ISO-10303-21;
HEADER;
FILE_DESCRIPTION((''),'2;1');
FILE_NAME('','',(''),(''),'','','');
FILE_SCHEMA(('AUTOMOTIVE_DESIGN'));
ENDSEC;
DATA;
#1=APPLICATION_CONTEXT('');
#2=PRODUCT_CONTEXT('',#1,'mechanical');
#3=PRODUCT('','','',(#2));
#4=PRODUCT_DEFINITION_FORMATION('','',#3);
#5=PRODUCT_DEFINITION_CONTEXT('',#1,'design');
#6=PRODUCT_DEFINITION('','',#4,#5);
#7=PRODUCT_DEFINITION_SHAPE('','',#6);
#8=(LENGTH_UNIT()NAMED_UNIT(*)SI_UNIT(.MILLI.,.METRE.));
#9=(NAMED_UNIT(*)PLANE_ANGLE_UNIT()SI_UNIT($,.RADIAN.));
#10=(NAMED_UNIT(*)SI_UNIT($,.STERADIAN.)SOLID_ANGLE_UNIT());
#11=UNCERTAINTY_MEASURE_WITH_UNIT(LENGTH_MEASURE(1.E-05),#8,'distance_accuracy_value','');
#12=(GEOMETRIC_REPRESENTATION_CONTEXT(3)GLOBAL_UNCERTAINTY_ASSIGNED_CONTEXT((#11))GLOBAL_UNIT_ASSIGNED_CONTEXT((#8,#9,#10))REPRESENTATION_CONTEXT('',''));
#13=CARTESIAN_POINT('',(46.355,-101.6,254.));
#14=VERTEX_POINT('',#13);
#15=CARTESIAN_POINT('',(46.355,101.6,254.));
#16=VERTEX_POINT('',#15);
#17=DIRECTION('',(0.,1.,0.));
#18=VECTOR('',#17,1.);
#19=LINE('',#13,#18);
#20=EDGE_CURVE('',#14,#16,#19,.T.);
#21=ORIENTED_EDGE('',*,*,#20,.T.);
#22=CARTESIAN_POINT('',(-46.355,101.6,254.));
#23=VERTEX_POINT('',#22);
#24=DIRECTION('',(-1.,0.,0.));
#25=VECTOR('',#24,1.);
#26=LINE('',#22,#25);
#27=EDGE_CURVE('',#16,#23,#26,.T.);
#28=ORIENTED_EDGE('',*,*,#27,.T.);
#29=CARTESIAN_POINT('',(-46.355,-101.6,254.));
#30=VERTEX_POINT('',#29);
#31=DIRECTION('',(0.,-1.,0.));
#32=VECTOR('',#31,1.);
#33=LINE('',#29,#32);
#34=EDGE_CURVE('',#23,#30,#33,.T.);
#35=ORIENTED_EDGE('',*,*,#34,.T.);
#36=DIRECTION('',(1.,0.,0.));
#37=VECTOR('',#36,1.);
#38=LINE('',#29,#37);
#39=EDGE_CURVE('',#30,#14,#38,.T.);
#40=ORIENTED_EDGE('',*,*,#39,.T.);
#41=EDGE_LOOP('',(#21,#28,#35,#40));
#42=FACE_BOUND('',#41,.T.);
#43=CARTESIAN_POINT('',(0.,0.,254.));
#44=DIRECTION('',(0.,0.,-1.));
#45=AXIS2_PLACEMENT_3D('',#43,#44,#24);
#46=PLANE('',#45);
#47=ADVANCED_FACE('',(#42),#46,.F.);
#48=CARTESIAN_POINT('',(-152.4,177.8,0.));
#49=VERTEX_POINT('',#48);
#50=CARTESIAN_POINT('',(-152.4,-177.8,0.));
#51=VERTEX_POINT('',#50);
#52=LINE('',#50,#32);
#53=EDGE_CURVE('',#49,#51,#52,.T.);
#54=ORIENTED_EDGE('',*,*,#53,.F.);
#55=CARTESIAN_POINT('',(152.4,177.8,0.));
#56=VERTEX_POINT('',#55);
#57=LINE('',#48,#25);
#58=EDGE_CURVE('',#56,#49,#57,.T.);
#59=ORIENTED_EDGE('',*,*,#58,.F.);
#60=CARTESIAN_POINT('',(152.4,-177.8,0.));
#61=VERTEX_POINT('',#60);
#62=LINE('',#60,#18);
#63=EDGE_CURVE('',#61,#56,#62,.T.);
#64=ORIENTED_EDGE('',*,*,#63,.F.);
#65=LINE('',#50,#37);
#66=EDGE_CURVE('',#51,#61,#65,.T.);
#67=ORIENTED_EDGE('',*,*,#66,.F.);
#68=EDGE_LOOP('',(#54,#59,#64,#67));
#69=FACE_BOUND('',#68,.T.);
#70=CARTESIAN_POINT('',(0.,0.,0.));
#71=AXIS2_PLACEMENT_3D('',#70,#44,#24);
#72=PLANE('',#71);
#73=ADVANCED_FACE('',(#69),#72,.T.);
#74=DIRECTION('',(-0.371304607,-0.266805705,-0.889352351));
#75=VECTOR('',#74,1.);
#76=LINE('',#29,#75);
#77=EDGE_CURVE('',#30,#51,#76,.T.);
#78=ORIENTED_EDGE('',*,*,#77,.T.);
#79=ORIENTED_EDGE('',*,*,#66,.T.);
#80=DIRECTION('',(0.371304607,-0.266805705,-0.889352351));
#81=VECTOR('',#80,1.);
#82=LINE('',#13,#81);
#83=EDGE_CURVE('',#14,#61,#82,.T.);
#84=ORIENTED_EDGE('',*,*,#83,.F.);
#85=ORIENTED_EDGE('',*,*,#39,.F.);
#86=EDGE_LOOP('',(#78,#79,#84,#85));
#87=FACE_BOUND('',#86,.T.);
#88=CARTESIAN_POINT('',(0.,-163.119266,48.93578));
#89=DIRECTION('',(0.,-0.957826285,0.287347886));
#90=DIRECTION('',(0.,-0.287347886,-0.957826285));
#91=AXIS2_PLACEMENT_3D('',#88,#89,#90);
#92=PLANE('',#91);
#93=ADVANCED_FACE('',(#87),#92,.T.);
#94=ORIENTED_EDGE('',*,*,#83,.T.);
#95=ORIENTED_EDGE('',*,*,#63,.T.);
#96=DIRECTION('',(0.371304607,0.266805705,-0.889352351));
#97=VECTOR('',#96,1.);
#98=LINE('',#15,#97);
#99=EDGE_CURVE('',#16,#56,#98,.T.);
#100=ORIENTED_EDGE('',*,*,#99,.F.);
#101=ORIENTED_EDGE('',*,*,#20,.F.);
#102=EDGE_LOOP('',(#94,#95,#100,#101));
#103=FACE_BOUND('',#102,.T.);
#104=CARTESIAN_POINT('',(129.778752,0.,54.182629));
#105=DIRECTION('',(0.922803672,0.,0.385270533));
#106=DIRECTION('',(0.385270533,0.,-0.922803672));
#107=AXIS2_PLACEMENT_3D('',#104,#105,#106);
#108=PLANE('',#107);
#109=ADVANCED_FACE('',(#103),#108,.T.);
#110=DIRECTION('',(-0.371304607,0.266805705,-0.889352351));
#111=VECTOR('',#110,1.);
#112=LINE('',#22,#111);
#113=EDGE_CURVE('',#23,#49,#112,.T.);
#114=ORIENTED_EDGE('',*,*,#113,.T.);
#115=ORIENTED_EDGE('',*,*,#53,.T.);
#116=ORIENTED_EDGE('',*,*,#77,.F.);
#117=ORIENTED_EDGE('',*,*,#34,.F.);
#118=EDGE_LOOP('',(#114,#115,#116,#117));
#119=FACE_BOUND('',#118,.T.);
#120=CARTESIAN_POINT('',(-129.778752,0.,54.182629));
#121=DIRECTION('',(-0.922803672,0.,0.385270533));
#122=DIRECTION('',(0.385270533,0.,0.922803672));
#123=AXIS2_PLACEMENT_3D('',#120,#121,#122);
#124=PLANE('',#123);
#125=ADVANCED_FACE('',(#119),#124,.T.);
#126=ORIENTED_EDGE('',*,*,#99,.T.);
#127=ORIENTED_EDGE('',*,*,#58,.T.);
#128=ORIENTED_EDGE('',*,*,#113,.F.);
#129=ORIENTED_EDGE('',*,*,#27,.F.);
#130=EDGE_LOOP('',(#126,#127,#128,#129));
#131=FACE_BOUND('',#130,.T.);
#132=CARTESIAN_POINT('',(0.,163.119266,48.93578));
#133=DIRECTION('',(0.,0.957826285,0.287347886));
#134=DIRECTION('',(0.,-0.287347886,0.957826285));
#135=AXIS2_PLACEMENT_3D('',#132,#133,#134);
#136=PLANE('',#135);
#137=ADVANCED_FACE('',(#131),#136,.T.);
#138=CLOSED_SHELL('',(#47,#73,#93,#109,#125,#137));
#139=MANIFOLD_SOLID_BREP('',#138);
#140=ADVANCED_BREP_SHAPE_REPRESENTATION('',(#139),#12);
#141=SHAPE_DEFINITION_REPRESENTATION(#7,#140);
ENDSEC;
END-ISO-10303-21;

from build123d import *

# Parameters (mm, degrees)
SKETCH2_W = 92.71
SKETCH2_H = 203.2
SKETCH1_W = 304.8
SKETCH1_H = 355.6


with BuildPart() as part:
    # Sketch2 → Loft1 section 0
    with BuildSketch(Plane.XY.offset(254)):
        Rectangle(SKETCH2_W, SKETCH2_H)
    # Sketch1 → Loft1 section 1
    with BuildSketch(Plane.XY):
        Rectangle(SKETCH1_W, SKETCH1_H)
    loft()


solid = part.part
